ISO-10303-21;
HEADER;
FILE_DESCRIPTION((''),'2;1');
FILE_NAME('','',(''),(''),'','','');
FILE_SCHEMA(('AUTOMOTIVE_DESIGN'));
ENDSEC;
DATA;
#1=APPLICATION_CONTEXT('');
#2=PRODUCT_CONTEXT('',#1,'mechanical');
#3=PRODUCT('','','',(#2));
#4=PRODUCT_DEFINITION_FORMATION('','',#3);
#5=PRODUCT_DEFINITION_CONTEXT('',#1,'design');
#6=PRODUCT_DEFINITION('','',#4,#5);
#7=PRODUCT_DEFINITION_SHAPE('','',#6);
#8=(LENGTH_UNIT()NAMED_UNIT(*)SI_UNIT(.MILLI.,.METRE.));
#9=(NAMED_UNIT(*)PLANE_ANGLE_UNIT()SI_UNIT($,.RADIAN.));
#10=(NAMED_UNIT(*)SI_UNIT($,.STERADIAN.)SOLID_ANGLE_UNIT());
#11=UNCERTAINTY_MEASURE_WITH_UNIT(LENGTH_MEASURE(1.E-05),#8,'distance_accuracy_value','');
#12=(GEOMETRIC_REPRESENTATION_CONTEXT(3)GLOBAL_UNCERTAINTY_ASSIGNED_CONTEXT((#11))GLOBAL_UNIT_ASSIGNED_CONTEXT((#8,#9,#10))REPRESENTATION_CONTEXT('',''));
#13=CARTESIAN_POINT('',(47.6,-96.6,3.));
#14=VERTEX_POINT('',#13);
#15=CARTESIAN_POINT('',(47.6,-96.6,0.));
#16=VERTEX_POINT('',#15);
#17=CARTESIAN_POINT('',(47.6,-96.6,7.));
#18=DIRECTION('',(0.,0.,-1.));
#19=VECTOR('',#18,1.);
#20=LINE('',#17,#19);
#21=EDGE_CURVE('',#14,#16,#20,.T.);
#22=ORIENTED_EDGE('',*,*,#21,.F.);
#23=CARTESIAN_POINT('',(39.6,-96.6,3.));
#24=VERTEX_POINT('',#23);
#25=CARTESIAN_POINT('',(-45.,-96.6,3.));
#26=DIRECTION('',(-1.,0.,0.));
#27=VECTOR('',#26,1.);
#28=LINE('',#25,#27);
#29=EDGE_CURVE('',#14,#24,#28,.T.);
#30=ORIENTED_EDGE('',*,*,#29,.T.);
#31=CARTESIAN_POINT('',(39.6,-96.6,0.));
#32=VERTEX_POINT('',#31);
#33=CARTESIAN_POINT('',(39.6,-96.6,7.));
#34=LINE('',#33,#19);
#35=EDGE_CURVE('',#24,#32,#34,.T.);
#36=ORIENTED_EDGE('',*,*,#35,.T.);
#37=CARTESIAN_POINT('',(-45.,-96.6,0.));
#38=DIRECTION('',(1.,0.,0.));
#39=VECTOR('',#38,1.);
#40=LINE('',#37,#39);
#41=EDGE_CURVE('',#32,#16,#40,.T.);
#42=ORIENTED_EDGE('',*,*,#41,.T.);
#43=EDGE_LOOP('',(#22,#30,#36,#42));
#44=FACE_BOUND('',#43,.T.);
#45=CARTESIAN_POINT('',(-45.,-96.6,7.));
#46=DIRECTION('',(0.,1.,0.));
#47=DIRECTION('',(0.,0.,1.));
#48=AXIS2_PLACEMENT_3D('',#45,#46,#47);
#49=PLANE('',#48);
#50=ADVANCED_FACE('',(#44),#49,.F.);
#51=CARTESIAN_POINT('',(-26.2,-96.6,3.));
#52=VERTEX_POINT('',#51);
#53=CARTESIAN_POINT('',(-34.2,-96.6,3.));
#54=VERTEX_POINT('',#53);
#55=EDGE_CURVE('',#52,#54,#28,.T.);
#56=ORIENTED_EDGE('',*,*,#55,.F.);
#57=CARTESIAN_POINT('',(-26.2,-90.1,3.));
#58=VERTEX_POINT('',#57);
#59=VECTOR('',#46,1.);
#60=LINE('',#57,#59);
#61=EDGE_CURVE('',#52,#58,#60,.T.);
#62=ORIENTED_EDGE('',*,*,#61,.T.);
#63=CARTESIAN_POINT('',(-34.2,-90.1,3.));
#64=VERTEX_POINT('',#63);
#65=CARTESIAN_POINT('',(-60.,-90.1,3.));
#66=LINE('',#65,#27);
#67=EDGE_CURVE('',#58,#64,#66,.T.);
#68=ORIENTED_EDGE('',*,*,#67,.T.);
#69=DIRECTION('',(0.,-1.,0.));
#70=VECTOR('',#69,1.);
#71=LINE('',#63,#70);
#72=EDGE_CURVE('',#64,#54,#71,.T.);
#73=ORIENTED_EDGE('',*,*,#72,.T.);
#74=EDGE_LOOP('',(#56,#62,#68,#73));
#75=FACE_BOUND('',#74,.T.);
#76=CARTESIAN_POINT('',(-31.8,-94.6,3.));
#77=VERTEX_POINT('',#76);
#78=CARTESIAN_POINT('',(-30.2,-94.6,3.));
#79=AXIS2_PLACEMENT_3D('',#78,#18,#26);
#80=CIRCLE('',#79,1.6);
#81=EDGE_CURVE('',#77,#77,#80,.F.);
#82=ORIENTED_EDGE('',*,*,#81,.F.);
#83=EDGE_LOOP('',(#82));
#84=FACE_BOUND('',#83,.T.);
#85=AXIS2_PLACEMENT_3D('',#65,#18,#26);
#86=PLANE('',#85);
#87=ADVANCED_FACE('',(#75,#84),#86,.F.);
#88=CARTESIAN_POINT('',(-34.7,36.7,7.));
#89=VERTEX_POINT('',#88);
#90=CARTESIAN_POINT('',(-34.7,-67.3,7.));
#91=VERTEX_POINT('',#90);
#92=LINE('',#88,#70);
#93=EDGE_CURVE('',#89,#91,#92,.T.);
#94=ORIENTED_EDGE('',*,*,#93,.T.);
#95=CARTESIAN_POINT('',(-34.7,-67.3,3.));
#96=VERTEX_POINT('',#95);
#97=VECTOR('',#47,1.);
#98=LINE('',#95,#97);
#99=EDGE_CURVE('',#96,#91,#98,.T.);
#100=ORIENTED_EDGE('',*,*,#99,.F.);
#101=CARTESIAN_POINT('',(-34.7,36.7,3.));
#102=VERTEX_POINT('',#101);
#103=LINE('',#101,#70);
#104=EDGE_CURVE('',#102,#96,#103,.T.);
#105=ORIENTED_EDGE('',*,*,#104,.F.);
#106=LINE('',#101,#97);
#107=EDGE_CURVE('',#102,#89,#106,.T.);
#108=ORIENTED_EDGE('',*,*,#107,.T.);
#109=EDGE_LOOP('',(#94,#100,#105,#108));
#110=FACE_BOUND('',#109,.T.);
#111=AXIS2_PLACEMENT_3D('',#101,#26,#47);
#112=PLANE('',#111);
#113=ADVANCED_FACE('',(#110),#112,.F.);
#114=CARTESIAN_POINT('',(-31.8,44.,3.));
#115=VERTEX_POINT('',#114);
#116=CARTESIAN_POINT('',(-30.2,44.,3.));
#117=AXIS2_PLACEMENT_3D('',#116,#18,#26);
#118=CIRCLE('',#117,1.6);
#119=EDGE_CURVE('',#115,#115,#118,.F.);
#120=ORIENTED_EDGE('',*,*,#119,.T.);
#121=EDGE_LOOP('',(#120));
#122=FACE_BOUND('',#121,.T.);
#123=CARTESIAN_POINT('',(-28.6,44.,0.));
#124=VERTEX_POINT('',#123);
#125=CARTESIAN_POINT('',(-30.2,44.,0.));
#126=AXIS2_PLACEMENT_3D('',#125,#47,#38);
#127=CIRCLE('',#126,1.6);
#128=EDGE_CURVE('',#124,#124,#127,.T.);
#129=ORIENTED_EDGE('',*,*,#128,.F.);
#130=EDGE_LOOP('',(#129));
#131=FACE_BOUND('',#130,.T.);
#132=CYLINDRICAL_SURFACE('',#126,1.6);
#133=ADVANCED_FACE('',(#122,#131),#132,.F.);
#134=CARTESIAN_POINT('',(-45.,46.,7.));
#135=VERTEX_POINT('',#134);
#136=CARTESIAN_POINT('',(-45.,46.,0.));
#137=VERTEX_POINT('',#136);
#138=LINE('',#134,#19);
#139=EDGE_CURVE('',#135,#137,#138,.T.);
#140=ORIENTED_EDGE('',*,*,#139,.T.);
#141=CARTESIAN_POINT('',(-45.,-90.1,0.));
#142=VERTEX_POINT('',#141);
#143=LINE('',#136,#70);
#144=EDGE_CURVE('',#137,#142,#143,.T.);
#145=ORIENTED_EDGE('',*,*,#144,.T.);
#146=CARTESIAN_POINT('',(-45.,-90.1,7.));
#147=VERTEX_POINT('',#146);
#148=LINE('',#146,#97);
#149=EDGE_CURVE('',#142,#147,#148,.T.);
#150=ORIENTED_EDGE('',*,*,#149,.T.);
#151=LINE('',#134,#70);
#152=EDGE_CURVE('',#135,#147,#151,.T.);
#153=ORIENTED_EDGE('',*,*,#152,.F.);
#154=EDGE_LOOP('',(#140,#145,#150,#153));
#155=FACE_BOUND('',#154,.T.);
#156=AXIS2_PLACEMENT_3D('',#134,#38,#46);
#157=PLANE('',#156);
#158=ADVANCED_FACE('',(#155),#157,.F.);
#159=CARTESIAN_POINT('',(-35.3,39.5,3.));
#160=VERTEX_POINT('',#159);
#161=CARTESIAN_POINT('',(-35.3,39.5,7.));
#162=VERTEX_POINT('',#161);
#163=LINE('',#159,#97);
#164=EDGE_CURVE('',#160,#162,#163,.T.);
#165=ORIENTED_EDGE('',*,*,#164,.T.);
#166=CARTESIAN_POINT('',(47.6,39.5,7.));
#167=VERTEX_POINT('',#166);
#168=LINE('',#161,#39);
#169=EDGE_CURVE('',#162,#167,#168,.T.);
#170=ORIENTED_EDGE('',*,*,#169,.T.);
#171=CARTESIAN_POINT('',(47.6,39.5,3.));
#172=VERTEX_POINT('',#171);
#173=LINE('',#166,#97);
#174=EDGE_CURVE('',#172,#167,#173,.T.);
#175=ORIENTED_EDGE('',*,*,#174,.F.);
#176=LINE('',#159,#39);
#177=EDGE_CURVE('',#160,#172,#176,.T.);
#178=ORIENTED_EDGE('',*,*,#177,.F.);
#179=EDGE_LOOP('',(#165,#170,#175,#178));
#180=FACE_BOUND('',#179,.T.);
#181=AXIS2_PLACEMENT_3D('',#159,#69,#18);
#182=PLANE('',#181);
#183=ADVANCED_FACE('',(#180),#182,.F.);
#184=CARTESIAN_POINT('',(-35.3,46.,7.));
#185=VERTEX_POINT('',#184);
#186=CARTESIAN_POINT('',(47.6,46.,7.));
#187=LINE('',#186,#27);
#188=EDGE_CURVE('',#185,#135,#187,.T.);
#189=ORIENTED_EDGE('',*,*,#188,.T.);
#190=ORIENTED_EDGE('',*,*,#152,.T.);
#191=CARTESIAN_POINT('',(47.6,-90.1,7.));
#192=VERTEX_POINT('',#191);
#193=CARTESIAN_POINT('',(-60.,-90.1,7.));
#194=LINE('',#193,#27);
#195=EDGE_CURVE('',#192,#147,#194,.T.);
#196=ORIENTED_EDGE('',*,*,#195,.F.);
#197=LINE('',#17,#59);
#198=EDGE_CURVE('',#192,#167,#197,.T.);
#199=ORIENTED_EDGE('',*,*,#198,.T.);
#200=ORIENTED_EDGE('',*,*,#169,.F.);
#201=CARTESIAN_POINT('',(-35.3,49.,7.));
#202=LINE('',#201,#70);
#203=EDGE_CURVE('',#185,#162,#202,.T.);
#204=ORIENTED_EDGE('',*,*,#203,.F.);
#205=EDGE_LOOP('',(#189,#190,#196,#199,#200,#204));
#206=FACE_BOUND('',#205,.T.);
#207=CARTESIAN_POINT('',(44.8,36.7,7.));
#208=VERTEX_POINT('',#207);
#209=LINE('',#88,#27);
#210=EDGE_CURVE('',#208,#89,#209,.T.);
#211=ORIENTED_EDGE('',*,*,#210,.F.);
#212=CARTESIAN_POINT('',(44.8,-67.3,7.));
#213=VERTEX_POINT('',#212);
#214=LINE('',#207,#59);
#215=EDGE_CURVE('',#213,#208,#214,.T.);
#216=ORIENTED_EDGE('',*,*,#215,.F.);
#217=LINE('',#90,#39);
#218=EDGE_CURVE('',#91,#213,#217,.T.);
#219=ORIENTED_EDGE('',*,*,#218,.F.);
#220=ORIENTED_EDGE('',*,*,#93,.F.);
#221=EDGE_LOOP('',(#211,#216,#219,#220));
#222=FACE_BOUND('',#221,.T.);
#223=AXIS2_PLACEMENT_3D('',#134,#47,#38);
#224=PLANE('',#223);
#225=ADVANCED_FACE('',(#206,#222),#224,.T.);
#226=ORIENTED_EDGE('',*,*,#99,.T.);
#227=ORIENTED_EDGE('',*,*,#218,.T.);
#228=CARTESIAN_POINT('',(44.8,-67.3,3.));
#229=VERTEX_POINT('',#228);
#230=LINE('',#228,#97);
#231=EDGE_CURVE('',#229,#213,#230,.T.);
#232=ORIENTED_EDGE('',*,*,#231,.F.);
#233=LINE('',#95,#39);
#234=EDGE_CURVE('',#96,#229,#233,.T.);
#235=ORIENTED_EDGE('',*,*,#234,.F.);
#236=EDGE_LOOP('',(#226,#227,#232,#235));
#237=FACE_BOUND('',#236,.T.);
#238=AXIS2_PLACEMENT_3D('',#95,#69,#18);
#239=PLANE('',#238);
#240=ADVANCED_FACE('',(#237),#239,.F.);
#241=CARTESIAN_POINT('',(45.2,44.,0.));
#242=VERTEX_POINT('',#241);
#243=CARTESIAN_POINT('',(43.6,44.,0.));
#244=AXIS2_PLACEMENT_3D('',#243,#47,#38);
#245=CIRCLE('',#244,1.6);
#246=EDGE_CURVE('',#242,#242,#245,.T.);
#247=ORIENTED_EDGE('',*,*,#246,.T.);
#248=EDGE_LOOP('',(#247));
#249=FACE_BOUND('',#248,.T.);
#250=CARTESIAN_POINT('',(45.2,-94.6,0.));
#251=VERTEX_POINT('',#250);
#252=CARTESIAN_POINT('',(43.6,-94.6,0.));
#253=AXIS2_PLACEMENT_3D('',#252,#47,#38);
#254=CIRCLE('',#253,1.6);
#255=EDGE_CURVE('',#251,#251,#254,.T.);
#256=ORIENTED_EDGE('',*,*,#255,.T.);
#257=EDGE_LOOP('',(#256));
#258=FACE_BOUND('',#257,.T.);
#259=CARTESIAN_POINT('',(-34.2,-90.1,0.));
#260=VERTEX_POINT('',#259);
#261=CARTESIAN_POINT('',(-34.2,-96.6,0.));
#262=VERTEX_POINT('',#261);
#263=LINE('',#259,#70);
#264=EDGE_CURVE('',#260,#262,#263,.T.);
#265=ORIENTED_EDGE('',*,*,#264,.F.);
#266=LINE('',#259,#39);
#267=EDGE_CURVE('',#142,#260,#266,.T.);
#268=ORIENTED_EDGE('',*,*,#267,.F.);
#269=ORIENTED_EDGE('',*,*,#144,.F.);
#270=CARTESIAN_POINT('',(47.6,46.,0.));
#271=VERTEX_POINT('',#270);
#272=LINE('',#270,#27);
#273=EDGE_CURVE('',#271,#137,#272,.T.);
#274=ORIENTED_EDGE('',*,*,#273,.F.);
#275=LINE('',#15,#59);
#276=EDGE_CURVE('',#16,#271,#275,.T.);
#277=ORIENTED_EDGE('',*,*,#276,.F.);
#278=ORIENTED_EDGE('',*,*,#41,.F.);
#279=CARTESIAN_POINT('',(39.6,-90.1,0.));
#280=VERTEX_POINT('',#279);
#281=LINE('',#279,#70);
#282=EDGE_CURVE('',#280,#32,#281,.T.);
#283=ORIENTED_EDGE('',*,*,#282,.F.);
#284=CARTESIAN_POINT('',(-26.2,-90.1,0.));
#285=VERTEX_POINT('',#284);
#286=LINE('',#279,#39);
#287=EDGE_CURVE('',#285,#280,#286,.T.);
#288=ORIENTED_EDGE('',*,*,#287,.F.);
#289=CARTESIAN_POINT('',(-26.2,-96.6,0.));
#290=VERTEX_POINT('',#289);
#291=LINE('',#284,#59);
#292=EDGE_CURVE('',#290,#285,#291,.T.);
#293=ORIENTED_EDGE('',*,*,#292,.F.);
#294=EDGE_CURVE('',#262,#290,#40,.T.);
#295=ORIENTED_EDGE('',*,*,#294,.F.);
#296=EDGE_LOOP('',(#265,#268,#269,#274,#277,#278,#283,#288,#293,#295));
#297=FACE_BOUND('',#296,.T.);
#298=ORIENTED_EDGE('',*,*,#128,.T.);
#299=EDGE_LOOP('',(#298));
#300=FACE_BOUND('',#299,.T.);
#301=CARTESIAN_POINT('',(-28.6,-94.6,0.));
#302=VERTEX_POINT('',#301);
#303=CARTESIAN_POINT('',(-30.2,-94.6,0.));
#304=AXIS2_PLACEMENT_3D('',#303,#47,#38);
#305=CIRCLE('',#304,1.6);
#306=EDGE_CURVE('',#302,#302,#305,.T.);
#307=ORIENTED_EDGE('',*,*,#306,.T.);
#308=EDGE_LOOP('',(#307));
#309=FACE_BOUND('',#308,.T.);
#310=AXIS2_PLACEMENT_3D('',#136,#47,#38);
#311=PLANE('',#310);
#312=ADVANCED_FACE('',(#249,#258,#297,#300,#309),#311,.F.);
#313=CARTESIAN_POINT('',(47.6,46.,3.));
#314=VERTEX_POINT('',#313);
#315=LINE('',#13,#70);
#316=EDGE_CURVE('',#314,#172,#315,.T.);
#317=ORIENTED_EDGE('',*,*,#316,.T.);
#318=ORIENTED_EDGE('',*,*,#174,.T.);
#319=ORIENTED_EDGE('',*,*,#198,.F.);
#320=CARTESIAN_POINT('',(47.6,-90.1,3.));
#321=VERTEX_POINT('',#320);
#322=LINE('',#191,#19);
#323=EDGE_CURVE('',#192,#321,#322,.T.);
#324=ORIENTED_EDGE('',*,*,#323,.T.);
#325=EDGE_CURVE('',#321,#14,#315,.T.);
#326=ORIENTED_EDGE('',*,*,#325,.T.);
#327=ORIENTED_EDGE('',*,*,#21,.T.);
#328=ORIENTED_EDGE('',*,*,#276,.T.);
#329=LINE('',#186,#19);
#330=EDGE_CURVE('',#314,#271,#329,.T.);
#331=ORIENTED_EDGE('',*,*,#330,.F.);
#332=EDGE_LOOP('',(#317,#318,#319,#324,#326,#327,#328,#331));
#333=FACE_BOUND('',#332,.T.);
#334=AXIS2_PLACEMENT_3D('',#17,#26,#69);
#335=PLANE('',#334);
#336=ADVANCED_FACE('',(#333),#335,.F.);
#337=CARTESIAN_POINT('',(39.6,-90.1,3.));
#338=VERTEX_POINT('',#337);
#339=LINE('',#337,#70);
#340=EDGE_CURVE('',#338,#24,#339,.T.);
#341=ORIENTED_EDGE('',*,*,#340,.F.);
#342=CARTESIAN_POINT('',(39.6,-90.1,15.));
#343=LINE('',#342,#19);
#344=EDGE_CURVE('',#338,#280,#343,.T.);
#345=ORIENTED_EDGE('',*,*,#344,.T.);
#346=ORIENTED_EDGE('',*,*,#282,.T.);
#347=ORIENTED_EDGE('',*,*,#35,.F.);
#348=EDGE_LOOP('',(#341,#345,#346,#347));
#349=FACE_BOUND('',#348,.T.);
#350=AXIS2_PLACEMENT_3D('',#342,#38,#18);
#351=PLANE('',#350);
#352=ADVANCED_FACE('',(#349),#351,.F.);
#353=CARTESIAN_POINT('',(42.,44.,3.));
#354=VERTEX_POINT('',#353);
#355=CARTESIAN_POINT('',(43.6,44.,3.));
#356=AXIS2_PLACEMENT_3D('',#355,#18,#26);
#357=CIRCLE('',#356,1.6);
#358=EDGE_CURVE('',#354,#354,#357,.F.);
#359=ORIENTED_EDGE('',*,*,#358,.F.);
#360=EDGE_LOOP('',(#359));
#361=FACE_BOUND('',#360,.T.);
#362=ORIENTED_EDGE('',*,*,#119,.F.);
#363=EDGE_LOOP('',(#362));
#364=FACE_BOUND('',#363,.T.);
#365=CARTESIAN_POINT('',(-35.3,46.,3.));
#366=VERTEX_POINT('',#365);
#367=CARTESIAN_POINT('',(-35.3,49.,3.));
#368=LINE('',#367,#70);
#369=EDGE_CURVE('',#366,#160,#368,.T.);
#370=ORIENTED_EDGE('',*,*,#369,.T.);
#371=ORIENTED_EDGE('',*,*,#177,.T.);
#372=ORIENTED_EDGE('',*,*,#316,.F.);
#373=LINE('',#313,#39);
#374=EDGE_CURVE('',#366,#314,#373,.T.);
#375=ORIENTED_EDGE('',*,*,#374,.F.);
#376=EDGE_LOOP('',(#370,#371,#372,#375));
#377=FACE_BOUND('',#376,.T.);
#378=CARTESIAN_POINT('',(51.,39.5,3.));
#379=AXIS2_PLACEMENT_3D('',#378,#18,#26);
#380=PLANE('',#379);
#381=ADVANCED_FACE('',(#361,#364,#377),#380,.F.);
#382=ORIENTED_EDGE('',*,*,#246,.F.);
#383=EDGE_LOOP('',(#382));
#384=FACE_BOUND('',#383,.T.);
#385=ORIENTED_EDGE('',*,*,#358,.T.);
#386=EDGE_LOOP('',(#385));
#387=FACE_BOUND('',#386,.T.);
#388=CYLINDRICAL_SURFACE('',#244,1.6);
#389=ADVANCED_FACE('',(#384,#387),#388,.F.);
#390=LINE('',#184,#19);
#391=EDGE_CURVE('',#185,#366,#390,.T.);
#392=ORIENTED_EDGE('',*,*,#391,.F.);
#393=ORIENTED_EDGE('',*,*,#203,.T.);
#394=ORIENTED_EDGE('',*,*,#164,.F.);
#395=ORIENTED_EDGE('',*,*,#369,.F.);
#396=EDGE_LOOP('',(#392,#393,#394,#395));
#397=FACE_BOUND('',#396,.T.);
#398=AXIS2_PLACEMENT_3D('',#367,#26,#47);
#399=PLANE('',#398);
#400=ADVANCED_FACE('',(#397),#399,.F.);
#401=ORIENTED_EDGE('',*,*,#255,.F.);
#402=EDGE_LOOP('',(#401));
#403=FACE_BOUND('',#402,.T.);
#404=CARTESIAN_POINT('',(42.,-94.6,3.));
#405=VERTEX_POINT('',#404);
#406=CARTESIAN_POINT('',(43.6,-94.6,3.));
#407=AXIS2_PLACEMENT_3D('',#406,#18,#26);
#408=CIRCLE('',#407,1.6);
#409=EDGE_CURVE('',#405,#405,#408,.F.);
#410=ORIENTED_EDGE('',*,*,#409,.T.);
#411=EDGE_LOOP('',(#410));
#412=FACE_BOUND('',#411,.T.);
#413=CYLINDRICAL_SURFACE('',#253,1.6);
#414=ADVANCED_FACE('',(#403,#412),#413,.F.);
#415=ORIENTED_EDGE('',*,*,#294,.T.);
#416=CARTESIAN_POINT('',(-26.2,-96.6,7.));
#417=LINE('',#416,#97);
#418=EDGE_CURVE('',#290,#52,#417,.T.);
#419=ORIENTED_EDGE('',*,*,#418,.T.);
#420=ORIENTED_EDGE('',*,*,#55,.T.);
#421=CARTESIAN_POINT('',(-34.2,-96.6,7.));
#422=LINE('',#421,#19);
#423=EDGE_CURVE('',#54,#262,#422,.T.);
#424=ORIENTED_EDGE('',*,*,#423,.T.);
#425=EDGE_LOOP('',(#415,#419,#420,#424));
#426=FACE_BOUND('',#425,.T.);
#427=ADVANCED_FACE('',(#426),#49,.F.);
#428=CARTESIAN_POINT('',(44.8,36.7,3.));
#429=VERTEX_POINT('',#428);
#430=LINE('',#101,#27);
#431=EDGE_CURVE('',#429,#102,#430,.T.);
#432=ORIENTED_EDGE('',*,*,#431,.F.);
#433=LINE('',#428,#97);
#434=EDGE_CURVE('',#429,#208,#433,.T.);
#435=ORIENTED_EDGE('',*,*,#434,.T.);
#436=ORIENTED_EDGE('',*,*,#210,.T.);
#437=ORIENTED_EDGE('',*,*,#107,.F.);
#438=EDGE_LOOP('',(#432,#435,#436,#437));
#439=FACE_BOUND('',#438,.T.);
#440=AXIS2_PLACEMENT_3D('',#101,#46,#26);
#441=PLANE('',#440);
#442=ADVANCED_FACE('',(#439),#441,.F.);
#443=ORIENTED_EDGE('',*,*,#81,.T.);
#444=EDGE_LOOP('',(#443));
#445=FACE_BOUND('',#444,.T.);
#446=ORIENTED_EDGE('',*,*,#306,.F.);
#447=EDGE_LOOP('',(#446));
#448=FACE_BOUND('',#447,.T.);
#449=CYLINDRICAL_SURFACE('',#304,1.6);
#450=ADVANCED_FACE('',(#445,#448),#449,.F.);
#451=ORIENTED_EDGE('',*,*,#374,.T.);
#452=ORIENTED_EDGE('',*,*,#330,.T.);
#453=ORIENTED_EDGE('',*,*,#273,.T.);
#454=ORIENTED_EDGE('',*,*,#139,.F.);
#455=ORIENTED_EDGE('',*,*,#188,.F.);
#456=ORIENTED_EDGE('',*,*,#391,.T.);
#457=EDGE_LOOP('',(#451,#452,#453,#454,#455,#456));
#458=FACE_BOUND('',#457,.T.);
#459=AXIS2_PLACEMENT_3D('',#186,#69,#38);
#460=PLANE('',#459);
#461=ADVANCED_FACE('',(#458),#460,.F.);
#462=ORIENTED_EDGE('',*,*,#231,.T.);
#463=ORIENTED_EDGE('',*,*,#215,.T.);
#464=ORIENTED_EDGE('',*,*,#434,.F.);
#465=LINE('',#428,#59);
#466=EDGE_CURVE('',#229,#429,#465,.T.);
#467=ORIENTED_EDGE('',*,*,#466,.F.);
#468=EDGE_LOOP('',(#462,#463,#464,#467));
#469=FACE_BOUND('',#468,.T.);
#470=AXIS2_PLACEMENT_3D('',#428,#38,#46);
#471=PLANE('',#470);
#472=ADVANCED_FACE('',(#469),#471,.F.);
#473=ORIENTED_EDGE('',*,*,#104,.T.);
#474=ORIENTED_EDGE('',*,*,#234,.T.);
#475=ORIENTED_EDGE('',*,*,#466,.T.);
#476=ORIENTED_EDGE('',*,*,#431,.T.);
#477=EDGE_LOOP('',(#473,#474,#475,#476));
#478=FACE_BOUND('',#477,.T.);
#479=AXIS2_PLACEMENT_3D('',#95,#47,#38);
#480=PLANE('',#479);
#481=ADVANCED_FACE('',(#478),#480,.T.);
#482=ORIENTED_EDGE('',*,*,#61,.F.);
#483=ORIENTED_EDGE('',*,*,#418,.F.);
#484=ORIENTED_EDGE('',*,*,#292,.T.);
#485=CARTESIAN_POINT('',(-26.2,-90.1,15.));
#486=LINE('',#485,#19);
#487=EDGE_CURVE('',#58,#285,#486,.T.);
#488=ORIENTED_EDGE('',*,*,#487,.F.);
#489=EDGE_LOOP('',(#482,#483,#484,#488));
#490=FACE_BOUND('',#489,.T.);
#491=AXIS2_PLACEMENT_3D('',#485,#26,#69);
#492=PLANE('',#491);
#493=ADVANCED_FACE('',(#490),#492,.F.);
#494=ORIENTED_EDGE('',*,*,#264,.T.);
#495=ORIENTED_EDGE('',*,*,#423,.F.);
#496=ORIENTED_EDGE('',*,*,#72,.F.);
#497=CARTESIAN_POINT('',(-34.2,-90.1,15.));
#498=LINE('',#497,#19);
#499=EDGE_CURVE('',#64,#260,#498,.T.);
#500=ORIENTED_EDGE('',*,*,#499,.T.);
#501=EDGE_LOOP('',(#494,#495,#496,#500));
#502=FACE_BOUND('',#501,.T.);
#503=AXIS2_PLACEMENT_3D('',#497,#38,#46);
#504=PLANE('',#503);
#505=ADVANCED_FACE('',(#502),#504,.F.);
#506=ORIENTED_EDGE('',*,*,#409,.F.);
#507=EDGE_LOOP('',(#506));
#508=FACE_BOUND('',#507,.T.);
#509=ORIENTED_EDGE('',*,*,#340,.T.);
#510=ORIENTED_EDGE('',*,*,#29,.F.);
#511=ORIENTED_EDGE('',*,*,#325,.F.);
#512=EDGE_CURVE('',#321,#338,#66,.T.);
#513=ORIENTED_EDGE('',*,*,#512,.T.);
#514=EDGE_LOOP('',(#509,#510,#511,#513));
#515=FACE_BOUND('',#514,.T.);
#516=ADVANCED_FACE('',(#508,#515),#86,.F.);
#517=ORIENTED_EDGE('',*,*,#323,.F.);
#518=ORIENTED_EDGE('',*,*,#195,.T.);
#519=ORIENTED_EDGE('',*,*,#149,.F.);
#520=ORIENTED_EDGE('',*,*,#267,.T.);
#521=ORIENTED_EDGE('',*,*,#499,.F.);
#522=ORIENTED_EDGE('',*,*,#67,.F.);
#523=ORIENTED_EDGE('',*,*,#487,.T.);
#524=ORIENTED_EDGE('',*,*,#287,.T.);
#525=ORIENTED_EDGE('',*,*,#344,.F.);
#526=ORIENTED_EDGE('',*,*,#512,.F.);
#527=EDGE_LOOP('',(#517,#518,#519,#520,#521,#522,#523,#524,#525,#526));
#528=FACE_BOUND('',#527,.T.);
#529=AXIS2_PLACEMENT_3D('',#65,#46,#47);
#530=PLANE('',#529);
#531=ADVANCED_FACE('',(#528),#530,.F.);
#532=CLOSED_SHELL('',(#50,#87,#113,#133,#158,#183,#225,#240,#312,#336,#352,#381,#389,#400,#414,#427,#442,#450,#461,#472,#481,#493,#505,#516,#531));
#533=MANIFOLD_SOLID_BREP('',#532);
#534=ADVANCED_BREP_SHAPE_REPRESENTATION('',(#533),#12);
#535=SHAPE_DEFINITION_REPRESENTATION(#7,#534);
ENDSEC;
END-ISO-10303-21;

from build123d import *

# Parameters (mm, degrees)
ESQUISSE1_W             = 92.6
ESQUISSE1_H             = 142.6
BASE_EXTRUSION_DEPTH    = 7
ESQUISSE4_R             = 1.6
ENL_V_MAT_EXTRU_2_DEPTH = 108.918117107
ESQUISSE2_W             = 79.5
ESQUISSE2_H             = 104
ENL_V_MAT_EXTRU_3_DEPTH = 4
ESQUISSE6_W             = 86.3
ESQUISSE6_H             = 9.5
ENL_V_MAT_EXTRU_4_DEPTH = 4
ESQUISSE7_W             = 120
ESQUISSE7_H             = 17.9
ENL_V_MAT_EXTRU_6_DEPTH = 4
ESQUISSE8_W             = 13.8
ESQUISSE8_H             = 8.9
ESQUISSE8_W_2           = 65.8
ENL_V_MAT_EXTRU_7_DEPTH = 15


with BuildPart() as part:
    # Esquisse1 → Base-Extrusion (new body)
    with BuildSketch(Plane.XY):
        with Locations((1.3, -25.3)):
            Rectangle(ESQUISSE1_W, ESQUISSE1_H)
    extrude(amount=BASE_EXTRUSION_DEPTH)

    # Esquisse4 → Enlèv. mat.-Extru.2 (cut, through all)
    with BuildSketch(Plane.XY.offset(7)):
        with Locations((-30.2, 44)):
            Circle(ESQUISSE4_R)
        with Locations((43.6, 44)):
            Circle(ESQUISSE4_R)
        with Locations((-30.2, -94.6)):
            Circle(ESQUISSE4_R)
        with Locations((43.6, -94.6)):
            Circle(ESQUISSE4_R)
    extrude(amount=-ENL_V_MAT_EXTRU_2_DEPTH, mode=Mode.SUBTRACT)

    # Esquisse2 → Enlèv. mat.-Extru.3 (cut)
    with BuildSketch(Plane.XY.offset(7)):
        with Locations((5.05, -15.3)):
            Rectangle(ESQUISSE2_W, ESQUISSE2_H)
    extrude(amount=-ENL_V_MAT_EXTRU_3_DEPTH, mode=Mode.SUBTRACT)

    # Esquisse6 → Enlèv. mat.-Extru.4 (cut)
    with BuildSketch(Plane.XY.offset(7)):
        with Locations((7.85, 44.25)):
            Rectangle(ESQUISSE6_W, ESQUISSE6_H)
    extrude(amount=-ENL_V_MAT_EXTRU_4_DEPTH, mode=Mode.SUBTRACT)

    # Esquisse7 → Enlèv. mat.-Extru.6 (cut)
    with BuildSketch(Plane.XY.offset(7)):
        with Locations((0, -99.05)):
            Rectangle(ESQUISSE7_W, ESQUISSE7_H)
    extrude(amount=-ENL_V_MAT_EXTRU_6_DEPTH, mode=Mode.SUBTRACT)

    # Esquisse8 → Enlèv. mat.-Extru.7 (cut)
    with BuildSketch(Plane(origin=(0, 0, 0), x_dir=(-1, 0, 0), z_dir=(0, 0, -1))):
        with Locations((41.1, -94.55)):
            Rectangle(ESQUISSE8_W, ESQUISSE8_H)
        with Locations((-6.7, -94.55)):
            Rectangle(ESQUISSE8_W_2, ESQUISSE8_H)
    extrude(amount=-ENL_V_MAT_EXTRU_7_DEPTH, mode=Mode.SUBTRACT)


solid = part.part
